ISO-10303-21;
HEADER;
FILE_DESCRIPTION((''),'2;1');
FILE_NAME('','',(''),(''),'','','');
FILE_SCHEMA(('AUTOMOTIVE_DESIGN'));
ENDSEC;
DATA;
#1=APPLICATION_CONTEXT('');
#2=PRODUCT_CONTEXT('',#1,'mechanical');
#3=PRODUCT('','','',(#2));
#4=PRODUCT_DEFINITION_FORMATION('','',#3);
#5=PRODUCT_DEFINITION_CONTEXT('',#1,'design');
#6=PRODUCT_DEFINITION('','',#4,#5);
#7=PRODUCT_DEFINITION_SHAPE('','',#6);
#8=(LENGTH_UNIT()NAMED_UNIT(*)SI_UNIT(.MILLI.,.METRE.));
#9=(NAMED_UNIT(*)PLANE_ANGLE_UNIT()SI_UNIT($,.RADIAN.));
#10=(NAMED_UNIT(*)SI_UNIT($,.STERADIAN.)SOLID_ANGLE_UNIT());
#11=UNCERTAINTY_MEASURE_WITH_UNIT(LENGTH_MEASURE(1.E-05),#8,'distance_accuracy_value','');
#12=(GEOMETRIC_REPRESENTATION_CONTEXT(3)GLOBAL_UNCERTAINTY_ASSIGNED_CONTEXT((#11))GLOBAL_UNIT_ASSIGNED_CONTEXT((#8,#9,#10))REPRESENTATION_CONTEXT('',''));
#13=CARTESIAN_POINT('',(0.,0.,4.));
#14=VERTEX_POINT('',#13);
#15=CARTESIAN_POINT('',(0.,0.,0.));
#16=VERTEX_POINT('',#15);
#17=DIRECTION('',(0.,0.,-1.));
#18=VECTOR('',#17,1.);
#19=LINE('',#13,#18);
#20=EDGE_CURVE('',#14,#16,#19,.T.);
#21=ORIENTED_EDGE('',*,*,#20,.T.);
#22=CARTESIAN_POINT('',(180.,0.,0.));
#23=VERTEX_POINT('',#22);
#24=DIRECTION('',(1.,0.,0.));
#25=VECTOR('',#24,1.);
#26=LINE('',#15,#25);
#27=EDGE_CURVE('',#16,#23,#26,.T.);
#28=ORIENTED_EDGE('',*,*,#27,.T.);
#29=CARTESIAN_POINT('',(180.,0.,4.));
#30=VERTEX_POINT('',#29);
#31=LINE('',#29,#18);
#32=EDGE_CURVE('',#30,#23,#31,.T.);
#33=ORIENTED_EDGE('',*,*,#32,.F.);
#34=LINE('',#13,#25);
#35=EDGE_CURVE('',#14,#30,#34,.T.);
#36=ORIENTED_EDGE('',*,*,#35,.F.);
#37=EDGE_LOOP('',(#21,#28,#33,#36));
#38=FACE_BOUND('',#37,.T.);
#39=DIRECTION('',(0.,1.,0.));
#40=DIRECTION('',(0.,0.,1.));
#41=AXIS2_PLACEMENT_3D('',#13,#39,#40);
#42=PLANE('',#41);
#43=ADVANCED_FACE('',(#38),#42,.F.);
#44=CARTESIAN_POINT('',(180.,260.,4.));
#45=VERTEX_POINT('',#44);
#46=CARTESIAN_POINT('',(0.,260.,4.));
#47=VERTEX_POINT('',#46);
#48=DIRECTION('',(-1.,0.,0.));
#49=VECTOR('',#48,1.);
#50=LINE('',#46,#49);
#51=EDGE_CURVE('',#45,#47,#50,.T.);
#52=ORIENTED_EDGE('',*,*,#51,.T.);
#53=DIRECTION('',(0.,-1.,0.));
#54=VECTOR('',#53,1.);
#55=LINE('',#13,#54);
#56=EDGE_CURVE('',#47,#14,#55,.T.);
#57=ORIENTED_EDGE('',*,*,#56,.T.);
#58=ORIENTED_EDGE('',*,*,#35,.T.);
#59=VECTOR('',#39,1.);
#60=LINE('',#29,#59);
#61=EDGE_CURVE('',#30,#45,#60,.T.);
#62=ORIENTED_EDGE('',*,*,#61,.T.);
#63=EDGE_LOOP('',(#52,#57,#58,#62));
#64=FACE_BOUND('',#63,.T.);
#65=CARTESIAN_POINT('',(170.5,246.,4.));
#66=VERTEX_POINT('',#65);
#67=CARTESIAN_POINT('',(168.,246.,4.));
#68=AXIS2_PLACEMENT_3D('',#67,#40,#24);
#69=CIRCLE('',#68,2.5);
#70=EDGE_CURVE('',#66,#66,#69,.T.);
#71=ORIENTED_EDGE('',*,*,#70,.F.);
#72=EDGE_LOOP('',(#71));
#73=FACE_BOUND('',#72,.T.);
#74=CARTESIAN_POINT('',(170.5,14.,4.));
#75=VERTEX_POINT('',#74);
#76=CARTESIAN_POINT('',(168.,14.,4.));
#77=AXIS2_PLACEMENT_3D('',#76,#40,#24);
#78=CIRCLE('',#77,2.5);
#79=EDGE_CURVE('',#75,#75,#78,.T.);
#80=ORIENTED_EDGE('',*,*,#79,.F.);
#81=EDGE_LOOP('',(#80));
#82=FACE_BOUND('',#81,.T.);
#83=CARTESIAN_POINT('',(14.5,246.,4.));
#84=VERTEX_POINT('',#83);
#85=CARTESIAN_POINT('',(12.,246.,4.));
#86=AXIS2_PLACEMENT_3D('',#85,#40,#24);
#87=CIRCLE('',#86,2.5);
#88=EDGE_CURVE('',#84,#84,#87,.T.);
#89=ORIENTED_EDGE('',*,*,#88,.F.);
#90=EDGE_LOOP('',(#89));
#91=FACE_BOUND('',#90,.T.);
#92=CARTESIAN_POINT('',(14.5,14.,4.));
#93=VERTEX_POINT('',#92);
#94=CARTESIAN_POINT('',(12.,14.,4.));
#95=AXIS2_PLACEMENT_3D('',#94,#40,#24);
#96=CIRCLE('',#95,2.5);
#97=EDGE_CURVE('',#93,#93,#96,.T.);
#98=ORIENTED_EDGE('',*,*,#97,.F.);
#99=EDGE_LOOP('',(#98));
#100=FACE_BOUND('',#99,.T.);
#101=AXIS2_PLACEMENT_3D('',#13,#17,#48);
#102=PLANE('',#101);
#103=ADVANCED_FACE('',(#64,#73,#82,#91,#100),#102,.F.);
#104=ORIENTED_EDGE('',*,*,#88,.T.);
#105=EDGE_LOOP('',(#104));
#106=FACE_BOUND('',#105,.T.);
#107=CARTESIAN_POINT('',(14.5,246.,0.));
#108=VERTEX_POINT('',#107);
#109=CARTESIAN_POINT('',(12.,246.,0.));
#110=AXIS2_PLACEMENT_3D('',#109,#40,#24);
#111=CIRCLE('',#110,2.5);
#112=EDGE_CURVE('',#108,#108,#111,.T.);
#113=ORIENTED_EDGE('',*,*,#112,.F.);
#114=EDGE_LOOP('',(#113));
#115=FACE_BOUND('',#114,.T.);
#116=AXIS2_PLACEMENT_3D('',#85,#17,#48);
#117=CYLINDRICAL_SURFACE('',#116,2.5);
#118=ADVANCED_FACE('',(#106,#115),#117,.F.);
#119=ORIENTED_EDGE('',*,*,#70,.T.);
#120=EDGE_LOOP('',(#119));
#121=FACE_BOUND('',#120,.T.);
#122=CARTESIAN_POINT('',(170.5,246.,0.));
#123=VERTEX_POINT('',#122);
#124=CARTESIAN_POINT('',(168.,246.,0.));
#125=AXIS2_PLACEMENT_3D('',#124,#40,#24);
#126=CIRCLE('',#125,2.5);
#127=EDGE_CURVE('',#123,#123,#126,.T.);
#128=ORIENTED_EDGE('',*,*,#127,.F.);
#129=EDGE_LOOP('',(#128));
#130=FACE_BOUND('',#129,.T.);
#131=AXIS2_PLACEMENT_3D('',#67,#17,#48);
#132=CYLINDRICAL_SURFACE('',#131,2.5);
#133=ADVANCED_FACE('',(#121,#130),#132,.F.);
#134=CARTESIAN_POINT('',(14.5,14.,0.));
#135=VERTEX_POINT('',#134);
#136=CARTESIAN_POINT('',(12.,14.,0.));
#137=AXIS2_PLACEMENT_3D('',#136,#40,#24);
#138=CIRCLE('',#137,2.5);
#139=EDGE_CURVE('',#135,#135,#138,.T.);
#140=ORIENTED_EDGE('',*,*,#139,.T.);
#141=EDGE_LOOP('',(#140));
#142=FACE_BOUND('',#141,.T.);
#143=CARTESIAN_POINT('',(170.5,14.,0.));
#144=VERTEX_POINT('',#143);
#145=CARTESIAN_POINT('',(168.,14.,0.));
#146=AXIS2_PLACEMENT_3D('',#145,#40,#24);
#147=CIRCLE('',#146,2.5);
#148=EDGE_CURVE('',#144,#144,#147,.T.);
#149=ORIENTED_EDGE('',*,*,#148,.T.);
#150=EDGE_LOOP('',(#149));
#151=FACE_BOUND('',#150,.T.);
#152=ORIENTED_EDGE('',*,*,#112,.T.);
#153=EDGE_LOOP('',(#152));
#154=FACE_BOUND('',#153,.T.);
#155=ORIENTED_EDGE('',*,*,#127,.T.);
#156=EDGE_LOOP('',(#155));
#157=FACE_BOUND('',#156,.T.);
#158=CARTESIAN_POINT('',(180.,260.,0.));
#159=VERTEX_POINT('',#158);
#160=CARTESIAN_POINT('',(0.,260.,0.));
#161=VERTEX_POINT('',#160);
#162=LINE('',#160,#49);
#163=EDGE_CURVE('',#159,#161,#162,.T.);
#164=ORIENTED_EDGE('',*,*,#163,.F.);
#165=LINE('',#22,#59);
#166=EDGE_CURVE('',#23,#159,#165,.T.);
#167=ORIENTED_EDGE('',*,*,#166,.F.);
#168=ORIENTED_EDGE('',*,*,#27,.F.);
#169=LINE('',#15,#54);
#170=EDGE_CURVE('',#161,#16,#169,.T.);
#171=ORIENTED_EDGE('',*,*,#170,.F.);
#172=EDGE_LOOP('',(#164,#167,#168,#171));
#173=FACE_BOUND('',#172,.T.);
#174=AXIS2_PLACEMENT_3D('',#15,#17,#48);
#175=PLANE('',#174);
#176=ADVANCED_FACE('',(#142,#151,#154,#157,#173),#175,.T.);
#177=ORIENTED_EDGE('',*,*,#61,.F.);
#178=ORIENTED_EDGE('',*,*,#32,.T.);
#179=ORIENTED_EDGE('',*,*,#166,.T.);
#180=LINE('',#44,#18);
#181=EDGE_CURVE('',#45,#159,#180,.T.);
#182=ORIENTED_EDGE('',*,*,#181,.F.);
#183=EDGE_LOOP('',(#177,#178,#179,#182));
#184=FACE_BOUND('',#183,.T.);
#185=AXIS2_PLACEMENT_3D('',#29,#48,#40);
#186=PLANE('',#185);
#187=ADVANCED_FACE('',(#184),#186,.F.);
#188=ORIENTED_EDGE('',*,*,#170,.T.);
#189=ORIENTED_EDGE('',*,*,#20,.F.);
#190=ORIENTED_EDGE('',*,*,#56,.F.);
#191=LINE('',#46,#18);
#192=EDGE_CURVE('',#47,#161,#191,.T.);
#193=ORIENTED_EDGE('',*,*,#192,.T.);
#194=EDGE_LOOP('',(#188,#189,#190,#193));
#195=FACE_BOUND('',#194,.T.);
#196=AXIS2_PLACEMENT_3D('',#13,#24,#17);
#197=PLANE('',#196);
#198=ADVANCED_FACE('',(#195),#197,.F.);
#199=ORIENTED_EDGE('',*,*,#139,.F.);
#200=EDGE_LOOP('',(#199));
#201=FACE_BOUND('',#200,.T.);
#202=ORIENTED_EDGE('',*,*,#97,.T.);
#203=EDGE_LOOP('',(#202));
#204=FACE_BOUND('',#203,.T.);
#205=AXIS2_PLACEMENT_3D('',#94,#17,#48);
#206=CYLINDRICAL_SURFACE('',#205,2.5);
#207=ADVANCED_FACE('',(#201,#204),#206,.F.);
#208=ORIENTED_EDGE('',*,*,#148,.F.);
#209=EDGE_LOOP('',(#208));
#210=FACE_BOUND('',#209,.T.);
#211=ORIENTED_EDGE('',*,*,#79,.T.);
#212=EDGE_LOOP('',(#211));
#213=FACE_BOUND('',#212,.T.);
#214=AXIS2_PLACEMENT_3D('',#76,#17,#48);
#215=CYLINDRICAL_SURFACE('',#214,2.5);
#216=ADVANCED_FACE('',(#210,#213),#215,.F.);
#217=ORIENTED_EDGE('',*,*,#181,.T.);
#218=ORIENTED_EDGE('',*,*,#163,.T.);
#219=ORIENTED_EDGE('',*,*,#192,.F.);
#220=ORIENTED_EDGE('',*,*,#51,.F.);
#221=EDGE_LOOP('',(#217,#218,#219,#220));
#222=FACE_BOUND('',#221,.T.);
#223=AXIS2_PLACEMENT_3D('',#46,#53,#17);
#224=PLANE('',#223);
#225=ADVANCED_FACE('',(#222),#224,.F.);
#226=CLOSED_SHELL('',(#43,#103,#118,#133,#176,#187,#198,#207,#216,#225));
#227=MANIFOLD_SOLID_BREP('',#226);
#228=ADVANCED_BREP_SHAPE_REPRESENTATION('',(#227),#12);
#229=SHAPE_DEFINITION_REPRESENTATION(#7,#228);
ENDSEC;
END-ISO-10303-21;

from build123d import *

# Parameters (mm, degrees)
SKETCH1_W     = 180
SKETCH1_H     = 260
SKETCH1_R     = 2.5
PROFILE_DEPTH = 4


with BuildPart() as part:
    # Sketch1 → Profile (new body)
    with BuildSketch(Plane.XY):
        with Locations((90, 130)):
            Rectangle(SKETCH1_W, SKETCH1_H)
        with Locations((12, 14)):
            Circle(SKETCH1_R, mode=Mode.SUBTRACT)
        with Locations((12, 246)):
            Circle(SKETCH1_R, mode=Mode.SUBTRACT)
        with Locations((168, 14)):
            Circle(SKETCH1_R, mode=Mode.SUBTRACT)
        with Locations((168, 246)):
            Circle(SKETCH1_R, mode=Mode.SUBTRACT)
    extrude(amount=PROFILE_DEPTH)


solid = part.part
